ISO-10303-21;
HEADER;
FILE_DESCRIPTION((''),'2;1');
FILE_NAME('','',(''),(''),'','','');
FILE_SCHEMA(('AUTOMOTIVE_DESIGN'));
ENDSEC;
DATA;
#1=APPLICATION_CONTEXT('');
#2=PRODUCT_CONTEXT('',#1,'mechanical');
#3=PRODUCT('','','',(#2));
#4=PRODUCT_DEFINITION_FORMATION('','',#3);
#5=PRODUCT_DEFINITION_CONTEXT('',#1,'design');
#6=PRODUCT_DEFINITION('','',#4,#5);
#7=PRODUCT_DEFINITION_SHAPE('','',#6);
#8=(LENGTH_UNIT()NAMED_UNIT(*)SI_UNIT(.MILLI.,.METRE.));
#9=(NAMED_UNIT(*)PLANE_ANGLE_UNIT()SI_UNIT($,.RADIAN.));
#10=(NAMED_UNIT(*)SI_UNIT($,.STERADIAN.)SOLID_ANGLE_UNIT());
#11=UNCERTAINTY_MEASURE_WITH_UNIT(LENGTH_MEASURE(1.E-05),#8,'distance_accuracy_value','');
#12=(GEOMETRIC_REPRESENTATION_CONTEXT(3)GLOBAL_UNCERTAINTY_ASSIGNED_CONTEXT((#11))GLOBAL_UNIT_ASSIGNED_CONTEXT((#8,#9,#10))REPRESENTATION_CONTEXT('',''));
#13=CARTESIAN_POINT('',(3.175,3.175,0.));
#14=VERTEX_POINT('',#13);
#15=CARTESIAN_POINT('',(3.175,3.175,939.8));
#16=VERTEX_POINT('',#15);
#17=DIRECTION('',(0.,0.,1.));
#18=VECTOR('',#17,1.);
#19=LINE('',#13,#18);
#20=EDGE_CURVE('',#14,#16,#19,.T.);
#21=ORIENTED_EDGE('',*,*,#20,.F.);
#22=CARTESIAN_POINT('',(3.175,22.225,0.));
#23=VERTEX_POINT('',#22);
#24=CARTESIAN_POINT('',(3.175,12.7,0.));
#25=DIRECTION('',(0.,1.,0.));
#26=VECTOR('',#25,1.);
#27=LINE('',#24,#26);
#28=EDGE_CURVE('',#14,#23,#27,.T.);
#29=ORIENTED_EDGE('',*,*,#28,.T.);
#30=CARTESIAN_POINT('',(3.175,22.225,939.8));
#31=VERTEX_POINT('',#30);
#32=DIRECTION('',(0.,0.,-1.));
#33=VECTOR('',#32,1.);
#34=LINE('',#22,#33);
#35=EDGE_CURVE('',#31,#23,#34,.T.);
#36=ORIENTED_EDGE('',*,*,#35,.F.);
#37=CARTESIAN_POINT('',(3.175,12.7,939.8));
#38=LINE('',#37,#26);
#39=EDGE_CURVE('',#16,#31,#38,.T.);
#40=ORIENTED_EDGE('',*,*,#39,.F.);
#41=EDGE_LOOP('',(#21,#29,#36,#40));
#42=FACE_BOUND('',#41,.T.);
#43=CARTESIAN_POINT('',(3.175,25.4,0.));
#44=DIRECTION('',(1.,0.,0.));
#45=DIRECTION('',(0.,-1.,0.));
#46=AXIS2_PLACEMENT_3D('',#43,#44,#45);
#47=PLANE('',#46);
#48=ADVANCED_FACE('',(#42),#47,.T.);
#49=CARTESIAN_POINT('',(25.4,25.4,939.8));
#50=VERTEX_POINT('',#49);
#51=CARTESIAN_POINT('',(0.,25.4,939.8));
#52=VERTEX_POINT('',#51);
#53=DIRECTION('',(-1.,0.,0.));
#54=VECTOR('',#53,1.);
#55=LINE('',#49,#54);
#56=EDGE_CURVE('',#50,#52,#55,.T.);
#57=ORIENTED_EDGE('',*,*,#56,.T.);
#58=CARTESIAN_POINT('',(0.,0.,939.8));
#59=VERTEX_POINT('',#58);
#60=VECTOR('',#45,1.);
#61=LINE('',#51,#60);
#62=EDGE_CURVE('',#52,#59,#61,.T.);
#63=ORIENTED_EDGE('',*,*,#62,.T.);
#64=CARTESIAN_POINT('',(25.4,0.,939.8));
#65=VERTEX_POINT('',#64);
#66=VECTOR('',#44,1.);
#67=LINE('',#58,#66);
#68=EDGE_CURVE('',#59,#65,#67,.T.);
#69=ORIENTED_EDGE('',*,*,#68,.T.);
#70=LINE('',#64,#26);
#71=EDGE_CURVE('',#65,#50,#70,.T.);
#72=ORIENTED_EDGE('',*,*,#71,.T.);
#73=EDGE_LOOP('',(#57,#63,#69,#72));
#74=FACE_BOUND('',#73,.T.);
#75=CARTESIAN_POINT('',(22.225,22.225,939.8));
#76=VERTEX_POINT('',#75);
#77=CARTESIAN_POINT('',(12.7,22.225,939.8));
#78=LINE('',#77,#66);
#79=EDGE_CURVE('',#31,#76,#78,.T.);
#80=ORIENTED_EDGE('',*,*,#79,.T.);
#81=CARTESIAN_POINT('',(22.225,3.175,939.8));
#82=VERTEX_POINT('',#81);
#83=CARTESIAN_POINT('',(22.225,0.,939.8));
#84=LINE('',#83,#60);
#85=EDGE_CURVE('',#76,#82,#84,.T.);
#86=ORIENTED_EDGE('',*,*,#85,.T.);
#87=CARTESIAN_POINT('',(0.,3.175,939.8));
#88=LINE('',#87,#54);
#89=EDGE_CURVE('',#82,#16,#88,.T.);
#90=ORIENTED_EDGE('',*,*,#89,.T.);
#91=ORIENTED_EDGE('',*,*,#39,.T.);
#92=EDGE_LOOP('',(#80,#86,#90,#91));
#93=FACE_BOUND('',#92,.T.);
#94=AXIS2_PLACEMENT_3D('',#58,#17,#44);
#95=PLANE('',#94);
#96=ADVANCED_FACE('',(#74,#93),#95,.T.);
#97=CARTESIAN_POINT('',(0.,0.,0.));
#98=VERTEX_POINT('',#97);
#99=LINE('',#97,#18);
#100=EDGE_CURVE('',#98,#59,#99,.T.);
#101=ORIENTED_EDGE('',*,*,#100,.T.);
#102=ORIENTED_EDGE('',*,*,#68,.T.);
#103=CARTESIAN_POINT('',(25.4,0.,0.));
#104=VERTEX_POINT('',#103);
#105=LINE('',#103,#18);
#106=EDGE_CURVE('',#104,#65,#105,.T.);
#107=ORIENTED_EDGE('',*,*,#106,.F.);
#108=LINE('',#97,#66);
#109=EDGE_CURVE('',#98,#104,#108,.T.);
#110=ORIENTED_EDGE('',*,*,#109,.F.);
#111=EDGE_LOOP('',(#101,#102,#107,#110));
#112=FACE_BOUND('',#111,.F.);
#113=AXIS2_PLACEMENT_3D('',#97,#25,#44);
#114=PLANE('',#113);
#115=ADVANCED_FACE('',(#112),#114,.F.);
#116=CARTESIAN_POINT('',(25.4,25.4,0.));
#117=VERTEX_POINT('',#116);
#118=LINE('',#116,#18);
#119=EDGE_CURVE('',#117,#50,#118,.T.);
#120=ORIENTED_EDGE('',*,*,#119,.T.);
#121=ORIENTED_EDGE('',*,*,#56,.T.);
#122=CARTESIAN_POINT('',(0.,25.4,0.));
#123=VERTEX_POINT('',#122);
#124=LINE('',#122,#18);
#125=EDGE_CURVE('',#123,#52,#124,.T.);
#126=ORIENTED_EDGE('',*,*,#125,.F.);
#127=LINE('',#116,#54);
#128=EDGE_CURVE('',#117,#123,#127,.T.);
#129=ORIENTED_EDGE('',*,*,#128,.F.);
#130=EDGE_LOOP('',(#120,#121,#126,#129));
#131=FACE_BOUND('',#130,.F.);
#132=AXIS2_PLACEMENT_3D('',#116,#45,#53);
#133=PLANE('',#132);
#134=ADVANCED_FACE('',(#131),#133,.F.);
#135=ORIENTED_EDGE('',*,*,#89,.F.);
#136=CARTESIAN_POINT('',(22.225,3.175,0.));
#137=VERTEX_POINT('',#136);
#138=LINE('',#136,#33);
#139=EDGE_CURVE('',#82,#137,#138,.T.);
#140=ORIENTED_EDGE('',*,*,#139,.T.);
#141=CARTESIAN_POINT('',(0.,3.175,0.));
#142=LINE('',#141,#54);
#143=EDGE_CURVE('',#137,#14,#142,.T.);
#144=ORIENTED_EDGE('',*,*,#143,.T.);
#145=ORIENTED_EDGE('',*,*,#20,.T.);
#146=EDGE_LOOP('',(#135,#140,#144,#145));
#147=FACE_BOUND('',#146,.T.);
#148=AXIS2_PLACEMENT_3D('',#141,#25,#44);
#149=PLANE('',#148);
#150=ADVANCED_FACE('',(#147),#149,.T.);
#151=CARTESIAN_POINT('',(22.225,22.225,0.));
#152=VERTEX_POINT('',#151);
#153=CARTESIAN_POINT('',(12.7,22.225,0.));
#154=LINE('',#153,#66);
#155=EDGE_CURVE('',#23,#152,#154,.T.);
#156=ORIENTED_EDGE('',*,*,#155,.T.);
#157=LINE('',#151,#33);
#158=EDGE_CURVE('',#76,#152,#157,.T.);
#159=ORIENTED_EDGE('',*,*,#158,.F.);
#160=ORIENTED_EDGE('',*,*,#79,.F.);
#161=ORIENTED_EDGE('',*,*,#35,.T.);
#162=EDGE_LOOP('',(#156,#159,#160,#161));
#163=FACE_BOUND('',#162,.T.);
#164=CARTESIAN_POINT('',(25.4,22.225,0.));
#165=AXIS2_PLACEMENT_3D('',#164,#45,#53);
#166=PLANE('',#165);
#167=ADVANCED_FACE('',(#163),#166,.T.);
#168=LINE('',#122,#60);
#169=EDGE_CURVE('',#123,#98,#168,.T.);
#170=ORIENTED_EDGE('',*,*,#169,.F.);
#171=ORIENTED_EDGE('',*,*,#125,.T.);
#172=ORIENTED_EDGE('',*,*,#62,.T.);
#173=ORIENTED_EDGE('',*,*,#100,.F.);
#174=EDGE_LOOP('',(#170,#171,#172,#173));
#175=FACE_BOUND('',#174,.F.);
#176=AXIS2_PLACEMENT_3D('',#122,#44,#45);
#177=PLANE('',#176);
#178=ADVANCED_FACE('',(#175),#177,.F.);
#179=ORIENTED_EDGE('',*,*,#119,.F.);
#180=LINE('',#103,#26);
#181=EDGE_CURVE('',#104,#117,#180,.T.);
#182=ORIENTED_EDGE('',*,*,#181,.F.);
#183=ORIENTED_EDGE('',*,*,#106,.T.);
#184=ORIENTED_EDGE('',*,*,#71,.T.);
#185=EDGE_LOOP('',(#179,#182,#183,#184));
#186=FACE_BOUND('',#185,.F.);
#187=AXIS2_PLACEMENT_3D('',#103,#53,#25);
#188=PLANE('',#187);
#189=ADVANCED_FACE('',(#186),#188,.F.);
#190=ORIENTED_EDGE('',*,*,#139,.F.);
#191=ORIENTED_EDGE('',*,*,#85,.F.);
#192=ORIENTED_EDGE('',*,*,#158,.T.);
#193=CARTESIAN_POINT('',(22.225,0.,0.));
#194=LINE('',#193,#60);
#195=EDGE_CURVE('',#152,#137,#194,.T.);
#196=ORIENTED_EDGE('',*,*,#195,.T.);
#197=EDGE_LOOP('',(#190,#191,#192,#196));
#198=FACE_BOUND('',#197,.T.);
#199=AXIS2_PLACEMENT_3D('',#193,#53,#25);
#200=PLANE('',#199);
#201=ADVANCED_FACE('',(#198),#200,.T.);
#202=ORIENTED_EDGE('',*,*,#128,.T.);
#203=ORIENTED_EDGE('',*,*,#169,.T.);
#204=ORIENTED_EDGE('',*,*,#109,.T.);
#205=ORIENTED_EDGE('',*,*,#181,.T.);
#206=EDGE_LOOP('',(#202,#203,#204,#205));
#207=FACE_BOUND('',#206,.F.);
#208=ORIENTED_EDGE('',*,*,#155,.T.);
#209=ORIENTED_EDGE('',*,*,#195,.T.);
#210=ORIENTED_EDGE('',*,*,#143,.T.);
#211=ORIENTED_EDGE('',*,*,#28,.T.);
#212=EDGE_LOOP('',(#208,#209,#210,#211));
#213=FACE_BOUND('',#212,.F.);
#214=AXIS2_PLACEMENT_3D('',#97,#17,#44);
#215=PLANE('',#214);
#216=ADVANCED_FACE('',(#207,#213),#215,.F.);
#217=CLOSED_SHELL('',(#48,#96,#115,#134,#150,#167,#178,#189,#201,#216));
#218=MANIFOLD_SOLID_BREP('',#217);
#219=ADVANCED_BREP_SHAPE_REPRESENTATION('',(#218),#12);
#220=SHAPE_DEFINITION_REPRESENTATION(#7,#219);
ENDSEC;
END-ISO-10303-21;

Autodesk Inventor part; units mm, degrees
ref_plane "YZ Plane" through (0, 0, 0) normal (1, 0, 0) x (0, 1, 0)
ref_plane "XZ Plane" through (0, 0, 0) normal (0, 1, 0) x (-1, 0, 0)
ref_plane "XY Plane" through (0, 0, 0) normal (0, 0, 1) x (1, 0, 0)
sketch "Sketch1" plane through (0, 0, 0) normal (0, 0, 1) x (1, 0, 0)
  line L0 (0, 0) -> (25.4, 0)
  line L1 (25.4, 0) -> (25.4, 25.4)
  line L2 (25.4, 25.4) -> (0, 25.4)
  line L3 (0, 25.4) -> (0, 0)
  dimension "d0" = 25.4
  dimension "d1" = 25.4
extrude "Extrusion1" add sketch "Sketch1" along normal blind 939.8
shell "Shell1" thickness 3.175 removed faces 2 at (8.4667, 16.9333, 0) at (8.4667, 16.9333, 939.8)
properties part number "Frame_LongCrossMember" material "Aluminum-6061"
